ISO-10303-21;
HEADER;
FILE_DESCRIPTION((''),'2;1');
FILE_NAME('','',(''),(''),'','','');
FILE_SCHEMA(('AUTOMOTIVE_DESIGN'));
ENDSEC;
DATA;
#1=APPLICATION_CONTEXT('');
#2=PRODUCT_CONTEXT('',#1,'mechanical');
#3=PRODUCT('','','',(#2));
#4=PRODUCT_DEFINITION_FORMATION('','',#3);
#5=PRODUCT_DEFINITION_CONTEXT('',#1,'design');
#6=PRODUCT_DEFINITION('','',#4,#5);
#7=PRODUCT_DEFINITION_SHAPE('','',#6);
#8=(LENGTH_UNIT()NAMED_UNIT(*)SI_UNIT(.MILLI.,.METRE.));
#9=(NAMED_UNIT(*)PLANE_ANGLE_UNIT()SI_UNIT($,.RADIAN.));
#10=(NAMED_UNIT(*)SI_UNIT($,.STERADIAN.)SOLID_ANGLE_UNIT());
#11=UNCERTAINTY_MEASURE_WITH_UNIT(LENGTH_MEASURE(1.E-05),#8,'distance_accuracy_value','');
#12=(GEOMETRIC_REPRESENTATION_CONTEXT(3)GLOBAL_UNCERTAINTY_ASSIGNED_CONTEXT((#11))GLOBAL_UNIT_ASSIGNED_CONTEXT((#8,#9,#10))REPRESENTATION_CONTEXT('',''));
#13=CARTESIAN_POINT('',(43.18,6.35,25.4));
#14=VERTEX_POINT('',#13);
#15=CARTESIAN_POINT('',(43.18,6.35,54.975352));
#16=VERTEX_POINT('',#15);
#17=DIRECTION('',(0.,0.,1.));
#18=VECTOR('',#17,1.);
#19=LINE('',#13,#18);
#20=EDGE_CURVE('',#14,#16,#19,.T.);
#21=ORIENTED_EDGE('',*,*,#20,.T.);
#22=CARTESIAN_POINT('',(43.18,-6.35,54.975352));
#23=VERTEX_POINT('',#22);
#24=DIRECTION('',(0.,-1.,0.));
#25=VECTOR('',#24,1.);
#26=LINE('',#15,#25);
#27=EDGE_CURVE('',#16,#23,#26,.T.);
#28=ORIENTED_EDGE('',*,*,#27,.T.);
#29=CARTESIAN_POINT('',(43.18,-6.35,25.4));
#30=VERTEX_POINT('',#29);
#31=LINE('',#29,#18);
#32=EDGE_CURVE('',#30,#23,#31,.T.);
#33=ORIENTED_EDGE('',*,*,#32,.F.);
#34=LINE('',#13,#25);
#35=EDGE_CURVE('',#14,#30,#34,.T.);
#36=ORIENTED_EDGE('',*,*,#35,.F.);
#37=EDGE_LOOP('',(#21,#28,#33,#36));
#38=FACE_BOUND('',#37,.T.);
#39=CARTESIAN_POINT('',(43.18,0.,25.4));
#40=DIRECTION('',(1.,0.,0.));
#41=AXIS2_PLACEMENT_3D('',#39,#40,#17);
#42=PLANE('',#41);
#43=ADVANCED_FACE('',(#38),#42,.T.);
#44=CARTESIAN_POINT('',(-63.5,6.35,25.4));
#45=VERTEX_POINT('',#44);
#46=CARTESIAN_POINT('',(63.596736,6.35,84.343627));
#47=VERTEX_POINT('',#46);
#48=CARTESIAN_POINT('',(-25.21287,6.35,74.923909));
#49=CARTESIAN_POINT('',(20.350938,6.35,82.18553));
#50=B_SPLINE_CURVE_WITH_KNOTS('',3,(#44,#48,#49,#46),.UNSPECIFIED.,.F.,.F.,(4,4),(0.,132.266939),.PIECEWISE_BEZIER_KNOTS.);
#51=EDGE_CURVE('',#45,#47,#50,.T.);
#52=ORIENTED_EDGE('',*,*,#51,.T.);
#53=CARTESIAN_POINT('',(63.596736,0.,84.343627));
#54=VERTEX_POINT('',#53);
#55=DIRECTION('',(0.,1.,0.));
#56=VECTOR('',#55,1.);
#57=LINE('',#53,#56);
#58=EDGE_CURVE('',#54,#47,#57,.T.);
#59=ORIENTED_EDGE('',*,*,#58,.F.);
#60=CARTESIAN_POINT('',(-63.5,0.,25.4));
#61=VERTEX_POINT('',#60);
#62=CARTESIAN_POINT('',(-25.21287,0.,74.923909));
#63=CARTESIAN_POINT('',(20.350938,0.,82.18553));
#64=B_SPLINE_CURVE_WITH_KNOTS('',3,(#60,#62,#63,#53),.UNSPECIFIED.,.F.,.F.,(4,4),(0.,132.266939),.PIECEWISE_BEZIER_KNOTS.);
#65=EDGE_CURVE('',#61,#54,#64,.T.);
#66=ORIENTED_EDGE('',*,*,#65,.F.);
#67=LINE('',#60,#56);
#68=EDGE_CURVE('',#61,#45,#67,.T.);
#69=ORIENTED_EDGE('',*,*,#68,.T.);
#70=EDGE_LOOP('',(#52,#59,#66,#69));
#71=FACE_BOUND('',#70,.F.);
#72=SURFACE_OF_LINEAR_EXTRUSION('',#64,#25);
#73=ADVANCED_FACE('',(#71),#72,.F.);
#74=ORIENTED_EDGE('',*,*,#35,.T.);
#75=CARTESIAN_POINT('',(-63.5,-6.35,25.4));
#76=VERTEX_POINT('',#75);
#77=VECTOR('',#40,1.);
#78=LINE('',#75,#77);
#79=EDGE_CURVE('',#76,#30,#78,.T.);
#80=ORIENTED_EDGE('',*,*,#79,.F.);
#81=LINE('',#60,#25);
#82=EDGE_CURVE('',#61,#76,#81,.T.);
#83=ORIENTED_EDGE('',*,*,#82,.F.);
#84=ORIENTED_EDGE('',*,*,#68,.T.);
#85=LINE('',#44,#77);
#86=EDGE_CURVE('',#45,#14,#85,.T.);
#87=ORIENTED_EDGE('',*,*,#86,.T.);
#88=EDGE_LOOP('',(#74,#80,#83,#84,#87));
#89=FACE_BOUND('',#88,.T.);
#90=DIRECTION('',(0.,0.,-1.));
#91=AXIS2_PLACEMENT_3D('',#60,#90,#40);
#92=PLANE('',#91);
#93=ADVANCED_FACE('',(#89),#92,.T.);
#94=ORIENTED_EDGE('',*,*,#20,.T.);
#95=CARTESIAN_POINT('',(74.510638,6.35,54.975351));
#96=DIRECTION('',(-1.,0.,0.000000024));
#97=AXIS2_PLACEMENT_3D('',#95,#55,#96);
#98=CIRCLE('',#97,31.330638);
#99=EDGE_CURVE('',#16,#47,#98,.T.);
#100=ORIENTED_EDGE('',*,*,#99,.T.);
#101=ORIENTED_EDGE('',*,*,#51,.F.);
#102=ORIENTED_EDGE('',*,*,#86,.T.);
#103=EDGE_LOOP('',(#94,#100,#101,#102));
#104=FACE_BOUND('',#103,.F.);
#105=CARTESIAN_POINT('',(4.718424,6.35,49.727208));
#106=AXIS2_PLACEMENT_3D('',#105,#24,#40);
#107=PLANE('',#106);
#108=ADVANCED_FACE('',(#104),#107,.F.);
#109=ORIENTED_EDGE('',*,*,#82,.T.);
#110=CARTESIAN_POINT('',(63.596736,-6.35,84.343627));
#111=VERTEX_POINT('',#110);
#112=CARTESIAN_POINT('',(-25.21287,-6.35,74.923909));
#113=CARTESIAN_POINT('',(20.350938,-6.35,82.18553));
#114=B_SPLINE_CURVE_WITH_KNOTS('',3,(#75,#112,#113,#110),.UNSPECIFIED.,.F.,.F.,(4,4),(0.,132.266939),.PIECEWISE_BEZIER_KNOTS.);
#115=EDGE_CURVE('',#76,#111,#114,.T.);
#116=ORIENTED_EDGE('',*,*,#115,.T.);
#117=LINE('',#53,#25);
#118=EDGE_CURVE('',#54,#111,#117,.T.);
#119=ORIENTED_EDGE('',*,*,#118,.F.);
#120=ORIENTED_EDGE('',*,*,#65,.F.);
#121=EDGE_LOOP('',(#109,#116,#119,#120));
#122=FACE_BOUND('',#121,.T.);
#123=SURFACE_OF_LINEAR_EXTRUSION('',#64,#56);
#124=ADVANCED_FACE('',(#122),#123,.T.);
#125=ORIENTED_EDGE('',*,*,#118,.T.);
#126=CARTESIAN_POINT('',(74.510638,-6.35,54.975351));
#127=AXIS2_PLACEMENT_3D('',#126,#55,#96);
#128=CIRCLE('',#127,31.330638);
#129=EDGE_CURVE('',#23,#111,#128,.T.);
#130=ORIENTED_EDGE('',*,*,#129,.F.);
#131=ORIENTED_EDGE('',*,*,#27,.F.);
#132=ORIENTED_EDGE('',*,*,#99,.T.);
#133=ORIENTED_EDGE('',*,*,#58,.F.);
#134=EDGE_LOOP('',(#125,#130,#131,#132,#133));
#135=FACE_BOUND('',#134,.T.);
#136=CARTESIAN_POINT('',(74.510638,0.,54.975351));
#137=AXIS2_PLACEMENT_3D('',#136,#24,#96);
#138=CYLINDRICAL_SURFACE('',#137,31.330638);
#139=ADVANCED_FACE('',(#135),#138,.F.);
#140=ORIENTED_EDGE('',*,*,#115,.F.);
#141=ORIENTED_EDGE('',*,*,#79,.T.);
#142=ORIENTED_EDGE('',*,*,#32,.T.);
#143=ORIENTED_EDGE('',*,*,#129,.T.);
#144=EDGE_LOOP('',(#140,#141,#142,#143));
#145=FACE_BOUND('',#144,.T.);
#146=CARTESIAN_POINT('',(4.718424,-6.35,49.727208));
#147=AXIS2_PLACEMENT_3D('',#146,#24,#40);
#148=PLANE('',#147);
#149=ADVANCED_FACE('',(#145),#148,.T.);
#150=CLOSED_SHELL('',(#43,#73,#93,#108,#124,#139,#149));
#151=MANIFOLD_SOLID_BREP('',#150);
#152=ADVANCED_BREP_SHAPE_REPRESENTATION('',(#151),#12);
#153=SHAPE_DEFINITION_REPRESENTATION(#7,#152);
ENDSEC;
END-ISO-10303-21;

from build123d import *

# Parameters (mm, degrees)
F1_DEPTH = 6.35


with BuildPart() as f1:
    # F0 (on Front) → F1 (new body, symmetric)
    with BuildSketch(Plane.XZ):
        with BuildLine():
            Line((-63.5, 25.4), (43.18, 25.4))
            Line((43.18, 25.4), (43.18, 54.975352))
            ThreePointArc((43.18, 54.975352), (48.785666, 72.859274), (63.596736, 84.343627))
            add(Edge.make_bspline(
                [(-63.5, 25.4), (-25.21287, 74.923909), (20.350938, 82.18553), (63.596736, 84.343627)],
                knots=[0, 0, 0, 0, 132.266939, 132.266939, 132.266939, 132.266939], degree=3))
        make_face()
    extrude(amount=F1_DEPTH, both=True)


solid = f1.part
